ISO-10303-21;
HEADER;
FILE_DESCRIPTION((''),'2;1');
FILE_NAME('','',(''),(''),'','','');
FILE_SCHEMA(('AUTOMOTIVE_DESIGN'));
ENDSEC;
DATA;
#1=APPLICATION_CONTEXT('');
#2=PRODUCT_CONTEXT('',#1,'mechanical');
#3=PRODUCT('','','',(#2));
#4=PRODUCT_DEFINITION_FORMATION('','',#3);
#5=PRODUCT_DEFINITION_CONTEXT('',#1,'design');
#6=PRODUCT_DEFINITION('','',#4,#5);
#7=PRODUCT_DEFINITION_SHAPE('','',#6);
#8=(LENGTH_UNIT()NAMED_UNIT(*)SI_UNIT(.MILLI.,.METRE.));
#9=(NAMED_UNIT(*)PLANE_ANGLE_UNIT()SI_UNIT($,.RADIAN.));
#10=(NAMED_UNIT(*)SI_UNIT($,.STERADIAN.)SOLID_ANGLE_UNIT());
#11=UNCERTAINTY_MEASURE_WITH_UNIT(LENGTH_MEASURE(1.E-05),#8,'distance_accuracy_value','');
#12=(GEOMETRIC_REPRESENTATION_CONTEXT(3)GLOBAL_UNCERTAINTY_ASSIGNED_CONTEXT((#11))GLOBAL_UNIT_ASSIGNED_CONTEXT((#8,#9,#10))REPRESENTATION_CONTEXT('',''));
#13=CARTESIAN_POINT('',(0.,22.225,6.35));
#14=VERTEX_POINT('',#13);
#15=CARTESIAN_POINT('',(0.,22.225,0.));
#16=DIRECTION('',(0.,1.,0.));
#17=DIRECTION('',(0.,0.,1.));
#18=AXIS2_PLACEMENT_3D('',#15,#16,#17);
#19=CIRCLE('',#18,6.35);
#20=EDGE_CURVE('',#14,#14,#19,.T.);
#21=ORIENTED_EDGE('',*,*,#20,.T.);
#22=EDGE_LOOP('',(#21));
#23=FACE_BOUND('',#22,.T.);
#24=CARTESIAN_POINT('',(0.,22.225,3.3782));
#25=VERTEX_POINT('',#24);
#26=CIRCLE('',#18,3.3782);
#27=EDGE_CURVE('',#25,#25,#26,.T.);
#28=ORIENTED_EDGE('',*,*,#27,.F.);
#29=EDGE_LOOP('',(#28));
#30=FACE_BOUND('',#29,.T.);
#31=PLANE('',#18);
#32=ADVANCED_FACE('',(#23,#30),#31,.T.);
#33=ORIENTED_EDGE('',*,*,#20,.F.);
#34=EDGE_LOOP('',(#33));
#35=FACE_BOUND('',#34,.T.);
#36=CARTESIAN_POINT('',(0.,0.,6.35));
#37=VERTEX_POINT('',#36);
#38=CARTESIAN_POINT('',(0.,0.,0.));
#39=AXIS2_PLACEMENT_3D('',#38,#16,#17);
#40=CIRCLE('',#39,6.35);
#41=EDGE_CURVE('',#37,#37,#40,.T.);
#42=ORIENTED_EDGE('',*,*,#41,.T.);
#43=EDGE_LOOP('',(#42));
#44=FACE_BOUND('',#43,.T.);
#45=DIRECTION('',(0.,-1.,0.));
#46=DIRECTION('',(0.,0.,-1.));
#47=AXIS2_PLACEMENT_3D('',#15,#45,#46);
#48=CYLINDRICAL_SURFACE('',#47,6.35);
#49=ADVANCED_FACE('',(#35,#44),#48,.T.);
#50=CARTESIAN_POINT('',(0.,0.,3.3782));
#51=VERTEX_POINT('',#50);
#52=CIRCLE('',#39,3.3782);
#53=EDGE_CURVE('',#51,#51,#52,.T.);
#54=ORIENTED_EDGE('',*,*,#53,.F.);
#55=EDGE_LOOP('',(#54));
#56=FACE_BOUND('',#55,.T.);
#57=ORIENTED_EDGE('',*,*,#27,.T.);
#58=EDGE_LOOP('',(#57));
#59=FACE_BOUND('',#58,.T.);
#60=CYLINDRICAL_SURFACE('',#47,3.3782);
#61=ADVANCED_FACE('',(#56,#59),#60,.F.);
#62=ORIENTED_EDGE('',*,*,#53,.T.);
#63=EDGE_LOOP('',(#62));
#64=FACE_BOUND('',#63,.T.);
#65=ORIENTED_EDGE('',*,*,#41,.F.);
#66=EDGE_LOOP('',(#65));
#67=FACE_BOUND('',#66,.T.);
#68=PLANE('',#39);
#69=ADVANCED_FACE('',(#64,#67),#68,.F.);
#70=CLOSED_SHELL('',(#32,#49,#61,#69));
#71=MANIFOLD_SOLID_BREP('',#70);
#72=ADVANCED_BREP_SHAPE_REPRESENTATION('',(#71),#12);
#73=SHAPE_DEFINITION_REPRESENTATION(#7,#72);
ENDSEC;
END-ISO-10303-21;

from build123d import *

# Parameters (mm, degrees)
SKETCH1_R      = 6.35
SKETCH1_R_2    = 3.3782
EXTRUDE1_DEPTH = 22.225


with BuildPart() as part:
    # Sketch1 → Extrude1 (new body)
    with BuildSketch(Plane(origin=(0, 0, 0), x_dir=(1, 0, 0), z_dir=(0, 1, 0))):
        with Locations(Location((0, 0, 0), (0, 0, 270))):
            Circle(SKETCH1_R)
        with Locations(Location((0, 0, 0), (0, 0, 270))):
            Circle(SKETCH1_R_2, mode=Mode.SUBTRACT)
    extrude(amount=EXTRUDE1_DEPTH)


solid = part.part
